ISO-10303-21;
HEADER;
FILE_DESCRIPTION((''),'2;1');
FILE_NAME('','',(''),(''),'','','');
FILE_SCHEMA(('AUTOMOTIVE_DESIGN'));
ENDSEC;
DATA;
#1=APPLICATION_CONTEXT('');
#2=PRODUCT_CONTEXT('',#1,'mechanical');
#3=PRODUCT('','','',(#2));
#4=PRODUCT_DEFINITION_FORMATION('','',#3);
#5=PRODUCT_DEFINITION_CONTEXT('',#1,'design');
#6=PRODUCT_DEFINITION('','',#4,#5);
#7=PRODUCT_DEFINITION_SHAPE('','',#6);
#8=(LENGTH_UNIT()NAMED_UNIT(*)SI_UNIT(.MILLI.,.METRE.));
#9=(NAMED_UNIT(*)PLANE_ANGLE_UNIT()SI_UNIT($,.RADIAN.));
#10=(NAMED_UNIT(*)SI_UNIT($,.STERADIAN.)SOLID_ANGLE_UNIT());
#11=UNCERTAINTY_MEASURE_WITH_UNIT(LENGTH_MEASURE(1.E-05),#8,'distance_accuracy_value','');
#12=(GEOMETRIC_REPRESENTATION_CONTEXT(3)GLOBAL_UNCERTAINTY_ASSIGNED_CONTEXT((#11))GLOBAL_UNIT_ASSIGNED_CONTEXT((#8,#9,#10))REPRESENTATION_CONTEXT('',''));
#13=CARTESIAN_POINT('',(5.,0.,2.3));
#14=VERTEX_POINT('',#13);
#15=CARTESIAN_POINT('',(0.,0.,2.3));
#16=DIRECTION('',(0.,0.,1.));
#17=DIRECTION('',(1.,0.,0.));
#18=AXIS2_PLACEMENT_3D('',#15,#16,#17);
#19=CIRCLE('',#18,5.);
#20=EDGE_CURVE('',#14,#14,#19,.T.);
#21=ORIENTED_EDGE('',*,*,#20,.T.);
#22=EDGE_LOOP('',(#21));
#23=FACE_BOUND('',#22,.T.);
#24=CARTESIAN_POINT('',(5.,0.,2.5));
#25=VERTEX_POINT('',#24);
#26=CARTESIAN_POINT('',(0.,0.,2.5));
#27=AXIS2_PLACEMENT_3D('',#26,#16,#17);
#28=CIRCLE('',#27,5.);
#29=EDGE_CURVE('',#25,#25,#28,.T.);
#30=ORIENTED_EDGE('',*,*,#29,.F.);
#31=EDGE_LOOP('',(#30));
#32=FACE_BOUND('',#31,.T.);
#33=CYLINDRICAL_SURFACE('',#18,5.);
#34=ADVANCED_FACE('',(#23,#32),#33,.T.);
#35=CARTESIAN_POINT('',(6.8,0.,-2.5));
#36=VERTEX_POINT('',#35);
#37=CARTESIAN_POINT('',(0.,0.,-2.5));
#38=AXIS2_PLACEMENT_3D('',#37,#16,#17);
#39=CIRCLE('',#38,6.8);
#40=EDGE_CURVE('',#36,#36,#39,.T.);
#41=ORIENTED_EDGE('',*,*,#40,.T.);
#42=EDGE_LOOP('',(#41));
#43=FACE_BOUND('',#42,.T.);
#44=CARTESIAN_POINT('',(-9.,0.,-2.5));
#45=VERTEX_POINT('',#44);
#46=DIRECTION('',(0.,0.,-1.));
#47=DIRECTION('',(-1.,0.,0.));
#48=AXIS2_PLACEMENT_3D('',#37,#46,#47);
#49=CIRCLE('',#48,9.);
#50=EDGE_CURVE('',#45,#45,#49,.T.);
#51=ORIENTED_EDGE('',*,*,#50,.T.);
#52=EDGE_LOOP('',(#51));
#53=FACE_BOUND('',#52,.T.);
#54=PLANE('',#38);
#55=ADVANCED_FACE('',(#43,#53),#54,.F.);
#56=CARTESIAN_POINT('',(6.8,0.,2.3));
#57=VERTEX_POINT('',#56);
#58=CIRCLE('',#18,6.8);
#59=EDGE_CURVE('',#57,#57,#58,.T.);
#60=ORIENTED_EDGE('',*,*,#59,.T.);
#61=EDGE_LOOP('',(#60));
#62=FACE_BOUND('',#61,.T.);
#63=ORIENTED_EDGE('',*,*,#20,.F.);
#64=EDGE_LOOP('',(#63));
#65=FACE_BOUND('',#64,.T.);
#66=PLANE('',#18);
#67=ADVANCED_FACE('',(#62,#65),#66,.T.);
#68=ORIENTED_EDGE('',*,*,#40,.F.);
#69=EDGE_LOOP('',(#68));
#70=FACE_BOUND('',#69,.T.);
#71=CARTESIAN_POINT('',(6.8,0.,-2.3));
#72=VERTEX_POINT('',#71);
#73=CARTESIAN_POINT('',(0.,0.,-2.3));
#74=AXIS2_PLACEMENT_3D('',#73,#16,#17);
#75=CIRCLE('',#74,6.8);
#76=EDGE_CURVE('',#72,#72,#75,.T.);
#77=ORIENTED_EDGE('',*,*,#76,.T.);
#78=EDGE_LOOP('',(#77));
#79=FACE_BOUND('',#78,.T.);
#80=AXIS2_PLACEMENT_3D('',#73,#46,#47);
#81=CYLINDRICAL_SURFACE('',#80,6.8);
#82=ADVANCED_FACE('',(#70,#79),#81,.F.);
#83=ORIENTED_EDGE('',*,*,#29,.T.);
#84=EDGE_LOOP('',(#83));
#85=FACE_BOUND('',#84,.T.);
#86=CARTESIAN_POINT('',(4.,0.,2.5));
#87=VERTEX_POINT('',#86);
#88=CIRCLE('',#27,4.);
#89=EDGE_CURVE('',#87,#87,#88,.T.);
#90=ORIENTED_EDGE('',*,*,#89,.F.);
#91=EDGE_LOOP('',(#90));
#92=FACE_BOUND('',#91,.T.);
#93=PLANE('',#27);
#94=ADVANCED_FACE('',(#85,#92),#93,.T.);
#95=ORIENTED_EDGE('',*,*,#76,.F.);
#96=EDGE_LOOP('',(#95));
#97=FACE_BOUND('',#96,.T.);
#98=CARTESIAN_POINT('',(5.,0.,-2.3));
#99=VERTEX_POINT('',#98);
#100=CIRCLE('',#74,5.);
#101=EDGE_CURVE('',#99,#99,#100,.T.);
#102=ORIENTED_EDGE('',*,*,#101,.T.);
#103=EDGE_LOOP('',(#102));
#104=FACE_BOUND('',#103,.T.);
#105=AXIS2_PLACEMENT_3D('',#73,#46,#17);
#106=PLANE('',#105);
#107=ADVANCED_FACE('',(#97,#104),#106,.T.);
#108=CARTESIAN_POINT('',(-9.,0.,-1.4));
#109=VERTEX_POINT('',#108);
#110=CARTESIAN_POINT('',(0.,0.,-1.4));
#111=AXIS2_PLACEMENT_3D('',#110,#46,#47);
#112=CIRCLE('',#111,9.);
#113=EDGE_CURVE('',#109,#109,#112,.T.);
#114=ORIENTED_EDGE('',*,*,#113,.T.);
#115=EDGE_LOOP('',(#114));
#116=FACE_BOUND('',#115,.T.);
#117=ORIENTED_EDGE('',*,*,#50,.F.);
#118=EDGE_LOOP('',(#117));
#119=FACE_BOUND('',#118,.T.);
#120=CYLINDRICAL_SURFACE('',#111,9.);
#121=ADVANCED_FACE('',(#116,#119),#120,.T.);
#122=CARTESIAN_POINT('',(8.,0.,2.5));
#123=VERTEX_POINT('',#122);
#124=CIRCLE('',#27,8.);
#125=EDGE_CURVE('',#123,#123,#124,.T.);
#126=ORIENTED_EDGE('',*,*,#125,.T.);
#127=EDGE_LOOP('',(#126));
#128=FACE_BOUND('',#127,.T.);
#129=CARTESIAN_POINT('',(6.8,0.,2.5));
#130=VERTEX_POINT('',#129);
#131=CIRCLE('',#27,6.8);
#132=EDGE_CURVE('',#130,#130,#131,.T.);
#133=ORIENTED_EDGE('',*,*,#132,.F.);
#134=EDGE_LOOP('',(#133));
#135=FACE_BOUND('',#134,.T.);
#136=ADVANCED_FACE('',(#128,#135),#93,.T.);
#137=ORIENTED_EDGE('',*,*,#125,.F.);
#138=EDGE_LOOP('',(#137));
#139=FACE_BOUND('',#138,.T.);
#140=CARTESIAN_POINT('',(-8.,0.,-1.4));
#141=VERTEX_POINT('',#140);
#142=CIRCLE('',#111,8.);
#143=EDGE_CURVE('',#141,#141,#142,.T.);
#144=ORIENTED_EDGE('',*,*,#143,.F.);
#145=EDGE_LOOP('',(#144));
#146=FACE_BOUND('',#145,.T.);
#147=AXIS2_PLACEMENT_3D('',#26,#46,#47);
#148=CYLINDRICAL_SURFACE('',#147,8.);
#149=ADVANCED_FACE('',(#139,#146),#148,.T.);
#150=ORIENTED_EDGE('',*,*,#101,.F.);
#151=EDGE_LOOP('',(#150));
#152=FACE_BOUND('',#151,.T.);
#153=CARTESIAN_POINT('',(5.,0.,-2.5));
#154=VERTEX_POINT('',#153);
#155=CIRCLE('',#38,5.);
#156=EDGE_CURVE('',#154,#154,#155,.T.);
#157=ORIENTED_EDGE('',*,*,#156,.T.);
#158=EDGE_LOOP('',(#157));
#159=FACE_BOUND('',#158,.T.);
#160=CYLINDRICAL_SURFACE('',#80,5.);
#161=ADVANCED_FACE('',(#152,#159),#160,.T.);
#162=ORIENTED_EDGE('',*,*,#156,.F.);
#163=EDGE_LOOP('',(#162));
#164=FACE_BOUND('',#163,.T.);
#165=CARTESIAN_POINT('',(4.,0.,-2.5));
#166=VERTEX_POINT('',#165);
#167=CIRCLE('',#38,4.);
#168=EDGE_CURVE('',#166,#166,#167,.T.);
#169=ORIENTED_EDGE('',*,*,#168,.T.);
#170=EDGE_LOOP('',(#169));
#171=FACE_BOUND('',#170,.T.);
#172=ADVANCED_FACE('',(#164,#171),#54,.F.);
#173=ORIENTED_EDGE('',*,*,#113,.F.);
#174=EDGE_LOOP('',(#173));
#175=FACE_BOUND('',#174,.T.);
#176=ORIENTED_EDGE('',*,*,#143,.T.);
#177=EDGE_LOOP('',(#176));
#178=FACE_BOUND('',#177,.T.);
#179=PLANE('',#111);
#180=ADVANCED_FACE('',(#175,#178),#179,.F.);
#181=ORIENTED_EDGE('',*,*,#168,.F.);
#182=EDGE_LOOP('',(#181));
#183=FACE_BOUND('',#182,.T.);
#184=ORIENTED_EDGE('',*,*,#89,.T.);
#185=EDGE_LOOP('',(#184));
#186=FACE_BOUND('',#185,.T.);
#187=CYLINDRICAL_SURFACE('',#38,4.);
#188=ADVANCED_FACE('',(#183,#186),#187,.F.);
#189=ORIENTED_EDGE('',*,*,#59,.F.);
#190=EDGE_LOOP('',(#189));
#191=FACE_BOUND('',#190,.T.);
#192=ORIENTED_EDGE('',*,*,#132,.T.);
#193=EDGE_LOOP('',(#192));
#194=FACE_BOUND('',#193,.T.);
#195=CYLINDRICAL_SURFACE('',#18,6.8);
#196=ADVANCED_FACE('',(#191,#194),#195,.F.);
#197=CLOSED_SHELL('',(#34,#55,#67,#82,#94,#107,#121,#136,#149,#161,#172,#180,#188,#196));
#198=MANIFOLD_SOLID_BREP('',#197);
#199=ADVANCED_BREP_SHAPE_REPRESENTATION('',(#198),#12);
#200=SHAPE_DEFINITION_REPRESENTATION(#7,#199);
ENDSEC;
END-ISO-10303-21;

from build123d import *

# Parameters (mm, degrees)
SKETCH_1_R          = 8
EXTRUDE_1_DEPTH     = 2.5
SKETCH_4_R          = 9
EXTRUDE_2_DEPTH     = 1.1
SKETCH_2_R          = 4
CUT_EXTRUDE_1_DEPTH = 6
SKETCH_3_R          = 6.8
SKETCH_3_R_2        = 5
CUT_EXTRUDE_2_DEPTH = 0.2


with BuildPart() as part:
    # 草圖1 → 填料-伸長1 (new body, symmetric)
    with BuildSketch(Plane.XY):
        Circle(SKETCH_1_R)
    extrude(amount=EXTRUDE_1_DEPTH, both=True)

    # 草圖4 → 填料-伸長2 (add)
    with BuildSketch(Plane(origin=(0, 0, -2.5), x_dir=(-1, 0, 0), z_dir=(0, 0, -1))):
        Circle(SKETCH_4_R)
    extrude(amount=-EXTRUDE_2_DEPTH)

    # 草圖2 → 除料-伸長1 (cut, through all)
    with BuildSketch(Plane.XY.offset(2.5)):
        Circle(SKETCH_2_R)
    extrude(amount=-CUT_EXTRUDE_1_DEPTH, mode=Mode.SUBTRACT)

    # 草圖3 → 除料-伸長2 (cut)
    with BuildSketch(Plane.XY.offset(2.5)):
        Circle(SKETCH_3_R)
        Circle(SKETCH_3_R_2, mode=Mode.SUBTRACT)
    cut_extrude_2 = extrude(amount=-CUT_EXTRUDE_2_DEPTH, mode=Mode.SUBTRACT)

    # 鏡射1: 除料-伸長2 across plane
    add(cut_extrude_2.mirror(Plane.XY), mode=Mode.SUBTRACT)


solid = part.part
